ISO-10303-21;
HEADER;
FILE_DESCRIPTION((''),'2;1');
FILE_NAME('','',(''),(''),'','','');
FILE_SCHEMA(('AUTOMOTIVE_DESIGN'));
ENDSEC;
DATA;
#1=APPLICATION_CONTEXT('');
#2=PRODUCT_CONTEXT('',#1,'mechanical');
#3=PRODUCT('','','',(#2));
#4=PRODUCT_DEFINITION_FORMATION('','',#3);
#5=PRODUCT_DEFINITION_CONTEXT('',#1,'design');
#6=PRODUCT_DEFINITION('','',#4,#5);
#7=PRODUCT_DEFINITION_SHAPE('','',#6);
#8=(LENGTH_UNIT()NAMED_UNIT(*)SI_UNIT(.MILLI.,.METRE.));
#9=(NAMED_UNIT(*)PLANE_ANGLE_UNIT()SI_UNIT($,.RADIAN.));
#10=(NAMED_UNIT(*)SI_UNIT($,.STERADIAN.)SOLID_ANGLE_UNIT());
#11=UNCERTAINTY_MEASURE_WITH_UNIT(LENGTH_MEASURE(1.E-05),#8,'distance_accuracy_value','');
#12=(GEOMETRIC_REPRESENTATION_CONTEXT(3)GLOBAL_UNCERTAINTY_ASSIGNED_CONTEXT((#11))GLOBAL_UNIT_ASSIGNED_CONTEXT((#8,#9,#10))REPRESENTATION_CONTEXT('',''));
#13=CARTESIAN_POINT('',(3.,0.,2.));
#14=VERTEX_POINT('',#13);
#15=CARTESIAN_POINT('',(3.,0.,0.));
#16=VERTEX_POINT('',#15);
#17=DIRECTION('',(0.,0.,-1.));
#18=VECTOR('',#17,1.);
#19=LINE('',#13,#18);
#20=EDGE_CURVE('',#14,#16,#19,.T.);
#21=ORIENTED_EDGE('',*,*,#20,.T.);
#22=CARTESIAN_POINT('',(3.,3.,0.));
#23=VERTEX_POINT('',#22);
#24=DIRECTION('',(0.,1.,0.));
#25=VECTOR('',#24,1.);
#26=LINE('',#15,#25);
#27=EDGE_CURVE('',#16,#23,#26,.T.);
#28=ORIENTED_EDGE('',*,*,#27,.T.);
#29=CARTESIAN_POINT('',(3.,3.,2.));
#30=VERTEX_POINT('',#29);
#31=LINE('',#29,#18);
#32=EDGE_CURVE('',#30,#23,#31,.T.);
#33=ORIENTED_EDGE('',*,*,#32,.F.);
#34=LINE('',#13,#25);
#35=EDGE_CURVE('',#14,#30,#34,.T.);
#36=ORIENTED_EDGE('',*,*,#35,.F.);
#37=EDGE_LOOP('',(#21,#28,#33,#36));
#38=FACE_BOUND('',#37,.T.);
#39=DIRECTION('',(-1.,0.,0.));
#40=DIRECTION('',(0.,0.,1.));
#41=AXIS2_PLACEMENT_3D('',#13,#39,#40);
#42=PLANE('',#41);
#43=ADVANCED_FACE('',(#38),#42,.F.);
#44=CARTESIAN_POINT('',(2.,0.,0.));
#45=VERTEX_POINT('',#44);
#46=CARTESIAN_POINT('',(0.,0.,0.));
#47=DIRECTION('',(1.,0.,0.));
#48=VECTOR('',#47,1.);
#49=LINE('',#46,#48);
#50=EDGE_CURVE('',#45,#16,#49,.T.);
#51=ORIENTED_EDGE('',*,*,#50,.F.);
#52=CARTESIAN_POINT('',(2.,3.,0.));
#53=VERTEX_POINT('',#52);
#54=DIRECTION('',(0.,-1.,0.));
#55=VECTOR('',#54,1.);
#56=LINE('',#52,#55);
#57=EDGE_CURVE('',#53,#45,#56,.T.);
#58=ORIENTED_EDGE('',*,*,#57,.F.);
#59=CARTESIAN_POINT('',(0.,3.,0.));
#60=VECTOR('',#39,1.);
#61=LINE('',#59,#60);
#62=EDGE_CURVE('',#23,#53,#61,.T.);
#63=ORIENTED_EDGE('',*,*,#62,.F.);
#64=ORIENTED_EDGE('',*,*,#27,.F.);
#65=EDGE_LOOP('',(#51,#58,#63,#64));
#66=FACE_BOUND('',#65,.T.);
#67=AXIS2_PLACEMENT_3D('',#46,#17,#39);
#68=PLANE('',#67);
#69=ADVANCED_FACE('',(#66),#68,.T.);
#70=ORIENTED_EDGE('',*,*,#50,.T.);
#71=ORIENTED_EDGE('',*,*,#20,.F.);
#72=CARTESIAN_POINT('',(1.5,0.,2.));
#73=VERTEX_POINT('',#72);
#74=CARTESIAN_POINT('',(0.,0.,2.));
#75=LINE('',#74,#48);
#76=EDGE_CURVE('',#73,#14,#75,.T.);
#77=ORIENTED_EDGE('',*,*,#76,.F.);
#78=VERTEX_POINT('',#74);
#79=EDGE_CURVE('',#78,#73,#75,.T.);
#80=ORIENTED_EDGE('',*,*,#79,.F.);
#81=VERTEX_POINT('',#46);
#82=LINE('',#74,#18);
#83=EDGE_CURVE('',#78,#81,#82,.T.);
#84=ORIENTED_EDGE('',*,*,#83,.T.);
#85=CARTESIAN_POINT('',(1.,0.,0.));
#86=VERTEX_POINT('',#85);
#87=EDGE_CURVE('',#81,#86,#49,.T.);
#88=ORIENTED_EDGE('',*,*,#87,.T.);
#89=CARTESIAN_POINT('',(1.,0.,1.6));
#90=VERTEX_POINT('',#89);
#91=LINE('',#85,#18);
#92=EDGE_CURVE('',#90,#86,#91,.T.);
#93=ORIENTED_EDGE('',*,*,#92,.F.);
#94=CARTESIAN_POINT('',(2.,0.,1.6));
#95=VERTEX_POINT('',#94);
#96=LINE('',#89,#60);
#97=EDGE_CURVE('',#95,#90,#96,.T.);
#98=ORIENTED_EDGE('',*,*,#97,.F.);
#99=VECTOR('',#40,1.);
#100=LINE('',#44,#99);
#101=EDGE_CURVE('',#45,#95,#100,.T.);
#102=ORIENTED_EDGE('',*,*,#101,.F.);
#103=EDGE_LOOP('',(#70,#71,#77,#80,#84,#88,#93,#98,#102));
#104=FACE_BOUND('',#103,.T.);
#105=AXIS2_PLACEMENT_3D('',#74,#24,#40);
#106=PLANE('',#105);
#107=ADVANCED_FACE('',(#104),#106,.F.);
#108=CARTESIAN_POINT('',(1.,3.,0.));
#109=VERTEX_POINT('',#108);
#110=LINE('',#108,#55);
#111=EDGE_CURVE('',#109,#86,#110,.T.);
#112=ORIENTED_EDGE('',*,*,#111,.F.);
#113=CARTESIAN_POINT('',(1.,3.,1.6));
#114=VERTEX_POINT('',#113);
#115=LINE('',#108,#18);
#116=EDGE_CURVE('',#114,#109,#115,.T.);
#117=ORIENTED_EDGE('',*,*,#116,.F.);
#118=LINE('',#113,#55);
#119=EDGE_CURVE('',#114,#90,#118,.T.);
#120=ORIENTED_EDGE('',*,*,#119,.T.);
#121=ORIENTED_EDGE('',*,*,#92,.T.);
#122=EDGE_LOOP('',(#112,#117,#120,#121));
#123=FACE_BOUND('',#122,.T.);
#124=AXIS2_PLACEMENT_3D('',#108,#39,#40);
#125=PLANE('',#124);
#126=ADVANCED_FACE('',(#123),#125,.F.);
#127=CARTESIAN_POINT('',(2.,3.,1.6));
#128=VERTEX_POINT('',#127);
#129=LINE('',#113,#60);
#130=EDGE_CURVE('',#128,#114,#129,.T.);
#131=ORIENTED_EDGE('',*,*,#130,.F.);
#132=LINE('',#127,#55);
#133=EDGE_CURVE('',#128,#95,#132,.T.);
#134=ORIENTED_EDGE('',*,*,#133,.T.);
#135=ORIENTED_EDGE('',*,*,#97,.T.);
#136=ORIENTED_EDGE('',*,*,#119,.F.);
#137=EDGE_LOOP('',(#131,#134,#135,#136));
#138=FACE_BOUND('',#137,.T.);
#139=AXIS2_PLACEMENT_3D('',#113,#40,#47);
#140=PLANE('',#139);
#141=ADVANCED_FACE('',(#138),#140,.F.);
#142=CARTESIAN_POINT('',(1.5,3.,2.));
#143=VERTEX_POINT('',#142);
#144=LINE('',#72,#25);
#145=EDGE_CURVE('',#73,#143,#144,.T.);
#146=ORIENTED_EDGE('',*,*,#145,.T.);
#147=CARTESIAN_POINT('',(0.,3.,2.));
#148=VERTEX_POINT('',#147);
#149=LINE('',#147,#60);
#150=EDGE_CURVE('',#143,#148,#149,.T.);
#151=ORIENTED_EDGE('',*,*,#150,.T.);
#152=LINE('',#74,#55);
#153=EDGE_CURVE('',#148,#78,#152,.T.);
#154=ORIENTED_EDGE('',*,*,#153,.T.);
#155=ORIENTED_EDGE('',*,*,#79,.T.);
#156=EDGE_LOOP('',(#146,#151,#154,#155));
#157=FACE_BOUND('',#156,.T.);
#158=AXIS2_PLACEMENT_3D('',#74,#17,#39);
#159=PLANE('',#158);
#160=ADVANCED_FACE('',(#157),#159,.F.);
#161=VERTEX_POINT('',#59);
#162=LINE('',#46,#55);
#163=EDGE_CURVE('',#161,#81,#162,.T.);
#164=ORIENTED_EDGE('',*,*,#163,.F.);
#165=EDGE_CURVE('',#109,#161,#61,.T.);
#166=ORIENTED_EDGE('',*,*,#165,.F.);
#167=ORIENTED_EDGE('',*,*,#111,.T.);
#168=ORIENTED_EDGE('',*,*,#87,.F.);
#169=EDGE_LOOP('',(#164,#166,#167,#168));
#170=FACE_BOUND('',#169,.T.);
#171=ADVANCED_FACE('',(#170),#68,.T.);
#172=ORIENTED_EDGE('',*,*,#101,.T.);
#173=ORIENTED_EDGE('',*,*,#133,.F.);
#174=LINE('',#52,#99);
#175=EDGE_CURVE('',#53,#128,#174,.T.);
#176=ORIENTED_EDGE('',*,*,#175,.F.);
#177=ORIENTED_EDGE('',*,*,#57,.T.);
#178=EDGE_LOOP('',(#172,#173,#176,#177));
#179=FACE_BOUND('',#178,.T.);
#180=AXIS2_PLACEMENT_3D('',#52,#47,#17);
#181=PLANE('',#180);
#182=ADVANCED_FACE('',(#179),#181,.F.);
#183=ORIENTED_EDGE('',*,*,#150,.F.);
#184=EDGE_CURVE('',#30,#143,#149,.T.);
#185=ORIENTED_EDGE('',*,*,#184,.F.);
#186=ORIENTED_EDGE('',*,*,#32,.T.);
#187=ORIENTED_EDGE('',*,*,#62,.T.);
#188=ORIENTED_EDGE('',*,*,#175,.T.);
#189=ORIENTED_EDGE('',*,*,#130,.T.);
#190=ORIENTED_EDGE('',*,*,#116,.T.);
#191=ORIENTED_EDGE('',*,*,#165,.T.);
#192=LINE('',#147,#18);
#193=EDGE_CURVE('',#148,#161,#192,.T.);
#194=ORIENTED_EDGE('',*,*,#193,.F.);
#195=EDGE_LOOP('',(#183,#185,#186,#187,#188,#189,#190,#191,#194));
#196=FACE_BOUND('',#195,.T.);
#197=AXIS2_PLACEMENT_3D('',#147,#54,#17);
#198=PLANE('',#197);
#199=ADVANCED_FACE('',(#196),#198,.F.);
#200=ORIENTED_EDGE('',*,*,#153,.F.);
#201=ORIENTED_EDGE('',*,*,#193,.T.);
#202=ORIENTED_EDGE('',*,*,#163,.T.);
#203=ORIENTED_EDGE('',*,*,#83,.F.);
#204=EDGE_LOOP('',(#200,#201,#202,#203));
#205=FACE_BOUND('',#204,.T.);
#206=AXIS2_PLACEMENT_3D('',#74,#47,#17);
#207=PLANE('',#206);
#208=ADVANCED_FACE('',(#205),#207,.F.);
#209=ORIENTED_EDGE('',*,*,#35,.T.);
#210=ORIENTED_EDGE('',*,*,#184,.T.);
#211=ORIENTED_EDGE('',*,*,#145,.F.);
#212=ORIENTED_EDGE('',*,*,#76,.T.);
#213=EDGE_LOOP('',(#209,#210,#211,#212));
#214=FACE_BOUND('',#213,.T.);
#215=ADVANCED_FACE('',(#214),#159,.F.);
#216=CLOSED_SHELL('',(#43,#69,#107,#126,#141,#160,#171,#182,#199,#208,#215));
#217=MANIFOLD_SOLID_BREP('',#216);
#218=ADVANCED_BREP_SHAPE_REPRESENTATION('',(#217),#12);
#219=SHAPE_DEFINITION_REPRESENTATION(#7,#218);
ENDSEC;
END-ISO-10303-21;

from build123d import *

# Parameters (mm, degrees)
SKETCH1_W           = 3
SKETCH1_H           = 3
BOSS_EXTRUDE1_DEPTH = 2
SKETCH2_W           = 1
SKETCH2_H           = 1.6
CUT_EXTRUDE1_DEPTH  = 5.69041576


with BuildPart() as part:
    # Sketch1 → Boss-Extrude1 (new body)
    with BuildSketch(Plane.XY):
        with Locations((1.5, 1.5)):
            Rectangle(SKETCH1_W, SKETCH1_H)
    extrude(amount=BOSS_EXTRUDE1_DEPTH)

    # Sketch2 → Cut-Extrude1 (cut, through all)
    with BuildSketch(Plane.XZ):
        with Locations((1.5, 0.8)):
            Rectangle(SKETCH2_W, SKETCH2_H)
    extrude(amount=-CUT_EXTRUDE1_DEPTH, mode=Mode.SUBTRACT)


solid = part.part
